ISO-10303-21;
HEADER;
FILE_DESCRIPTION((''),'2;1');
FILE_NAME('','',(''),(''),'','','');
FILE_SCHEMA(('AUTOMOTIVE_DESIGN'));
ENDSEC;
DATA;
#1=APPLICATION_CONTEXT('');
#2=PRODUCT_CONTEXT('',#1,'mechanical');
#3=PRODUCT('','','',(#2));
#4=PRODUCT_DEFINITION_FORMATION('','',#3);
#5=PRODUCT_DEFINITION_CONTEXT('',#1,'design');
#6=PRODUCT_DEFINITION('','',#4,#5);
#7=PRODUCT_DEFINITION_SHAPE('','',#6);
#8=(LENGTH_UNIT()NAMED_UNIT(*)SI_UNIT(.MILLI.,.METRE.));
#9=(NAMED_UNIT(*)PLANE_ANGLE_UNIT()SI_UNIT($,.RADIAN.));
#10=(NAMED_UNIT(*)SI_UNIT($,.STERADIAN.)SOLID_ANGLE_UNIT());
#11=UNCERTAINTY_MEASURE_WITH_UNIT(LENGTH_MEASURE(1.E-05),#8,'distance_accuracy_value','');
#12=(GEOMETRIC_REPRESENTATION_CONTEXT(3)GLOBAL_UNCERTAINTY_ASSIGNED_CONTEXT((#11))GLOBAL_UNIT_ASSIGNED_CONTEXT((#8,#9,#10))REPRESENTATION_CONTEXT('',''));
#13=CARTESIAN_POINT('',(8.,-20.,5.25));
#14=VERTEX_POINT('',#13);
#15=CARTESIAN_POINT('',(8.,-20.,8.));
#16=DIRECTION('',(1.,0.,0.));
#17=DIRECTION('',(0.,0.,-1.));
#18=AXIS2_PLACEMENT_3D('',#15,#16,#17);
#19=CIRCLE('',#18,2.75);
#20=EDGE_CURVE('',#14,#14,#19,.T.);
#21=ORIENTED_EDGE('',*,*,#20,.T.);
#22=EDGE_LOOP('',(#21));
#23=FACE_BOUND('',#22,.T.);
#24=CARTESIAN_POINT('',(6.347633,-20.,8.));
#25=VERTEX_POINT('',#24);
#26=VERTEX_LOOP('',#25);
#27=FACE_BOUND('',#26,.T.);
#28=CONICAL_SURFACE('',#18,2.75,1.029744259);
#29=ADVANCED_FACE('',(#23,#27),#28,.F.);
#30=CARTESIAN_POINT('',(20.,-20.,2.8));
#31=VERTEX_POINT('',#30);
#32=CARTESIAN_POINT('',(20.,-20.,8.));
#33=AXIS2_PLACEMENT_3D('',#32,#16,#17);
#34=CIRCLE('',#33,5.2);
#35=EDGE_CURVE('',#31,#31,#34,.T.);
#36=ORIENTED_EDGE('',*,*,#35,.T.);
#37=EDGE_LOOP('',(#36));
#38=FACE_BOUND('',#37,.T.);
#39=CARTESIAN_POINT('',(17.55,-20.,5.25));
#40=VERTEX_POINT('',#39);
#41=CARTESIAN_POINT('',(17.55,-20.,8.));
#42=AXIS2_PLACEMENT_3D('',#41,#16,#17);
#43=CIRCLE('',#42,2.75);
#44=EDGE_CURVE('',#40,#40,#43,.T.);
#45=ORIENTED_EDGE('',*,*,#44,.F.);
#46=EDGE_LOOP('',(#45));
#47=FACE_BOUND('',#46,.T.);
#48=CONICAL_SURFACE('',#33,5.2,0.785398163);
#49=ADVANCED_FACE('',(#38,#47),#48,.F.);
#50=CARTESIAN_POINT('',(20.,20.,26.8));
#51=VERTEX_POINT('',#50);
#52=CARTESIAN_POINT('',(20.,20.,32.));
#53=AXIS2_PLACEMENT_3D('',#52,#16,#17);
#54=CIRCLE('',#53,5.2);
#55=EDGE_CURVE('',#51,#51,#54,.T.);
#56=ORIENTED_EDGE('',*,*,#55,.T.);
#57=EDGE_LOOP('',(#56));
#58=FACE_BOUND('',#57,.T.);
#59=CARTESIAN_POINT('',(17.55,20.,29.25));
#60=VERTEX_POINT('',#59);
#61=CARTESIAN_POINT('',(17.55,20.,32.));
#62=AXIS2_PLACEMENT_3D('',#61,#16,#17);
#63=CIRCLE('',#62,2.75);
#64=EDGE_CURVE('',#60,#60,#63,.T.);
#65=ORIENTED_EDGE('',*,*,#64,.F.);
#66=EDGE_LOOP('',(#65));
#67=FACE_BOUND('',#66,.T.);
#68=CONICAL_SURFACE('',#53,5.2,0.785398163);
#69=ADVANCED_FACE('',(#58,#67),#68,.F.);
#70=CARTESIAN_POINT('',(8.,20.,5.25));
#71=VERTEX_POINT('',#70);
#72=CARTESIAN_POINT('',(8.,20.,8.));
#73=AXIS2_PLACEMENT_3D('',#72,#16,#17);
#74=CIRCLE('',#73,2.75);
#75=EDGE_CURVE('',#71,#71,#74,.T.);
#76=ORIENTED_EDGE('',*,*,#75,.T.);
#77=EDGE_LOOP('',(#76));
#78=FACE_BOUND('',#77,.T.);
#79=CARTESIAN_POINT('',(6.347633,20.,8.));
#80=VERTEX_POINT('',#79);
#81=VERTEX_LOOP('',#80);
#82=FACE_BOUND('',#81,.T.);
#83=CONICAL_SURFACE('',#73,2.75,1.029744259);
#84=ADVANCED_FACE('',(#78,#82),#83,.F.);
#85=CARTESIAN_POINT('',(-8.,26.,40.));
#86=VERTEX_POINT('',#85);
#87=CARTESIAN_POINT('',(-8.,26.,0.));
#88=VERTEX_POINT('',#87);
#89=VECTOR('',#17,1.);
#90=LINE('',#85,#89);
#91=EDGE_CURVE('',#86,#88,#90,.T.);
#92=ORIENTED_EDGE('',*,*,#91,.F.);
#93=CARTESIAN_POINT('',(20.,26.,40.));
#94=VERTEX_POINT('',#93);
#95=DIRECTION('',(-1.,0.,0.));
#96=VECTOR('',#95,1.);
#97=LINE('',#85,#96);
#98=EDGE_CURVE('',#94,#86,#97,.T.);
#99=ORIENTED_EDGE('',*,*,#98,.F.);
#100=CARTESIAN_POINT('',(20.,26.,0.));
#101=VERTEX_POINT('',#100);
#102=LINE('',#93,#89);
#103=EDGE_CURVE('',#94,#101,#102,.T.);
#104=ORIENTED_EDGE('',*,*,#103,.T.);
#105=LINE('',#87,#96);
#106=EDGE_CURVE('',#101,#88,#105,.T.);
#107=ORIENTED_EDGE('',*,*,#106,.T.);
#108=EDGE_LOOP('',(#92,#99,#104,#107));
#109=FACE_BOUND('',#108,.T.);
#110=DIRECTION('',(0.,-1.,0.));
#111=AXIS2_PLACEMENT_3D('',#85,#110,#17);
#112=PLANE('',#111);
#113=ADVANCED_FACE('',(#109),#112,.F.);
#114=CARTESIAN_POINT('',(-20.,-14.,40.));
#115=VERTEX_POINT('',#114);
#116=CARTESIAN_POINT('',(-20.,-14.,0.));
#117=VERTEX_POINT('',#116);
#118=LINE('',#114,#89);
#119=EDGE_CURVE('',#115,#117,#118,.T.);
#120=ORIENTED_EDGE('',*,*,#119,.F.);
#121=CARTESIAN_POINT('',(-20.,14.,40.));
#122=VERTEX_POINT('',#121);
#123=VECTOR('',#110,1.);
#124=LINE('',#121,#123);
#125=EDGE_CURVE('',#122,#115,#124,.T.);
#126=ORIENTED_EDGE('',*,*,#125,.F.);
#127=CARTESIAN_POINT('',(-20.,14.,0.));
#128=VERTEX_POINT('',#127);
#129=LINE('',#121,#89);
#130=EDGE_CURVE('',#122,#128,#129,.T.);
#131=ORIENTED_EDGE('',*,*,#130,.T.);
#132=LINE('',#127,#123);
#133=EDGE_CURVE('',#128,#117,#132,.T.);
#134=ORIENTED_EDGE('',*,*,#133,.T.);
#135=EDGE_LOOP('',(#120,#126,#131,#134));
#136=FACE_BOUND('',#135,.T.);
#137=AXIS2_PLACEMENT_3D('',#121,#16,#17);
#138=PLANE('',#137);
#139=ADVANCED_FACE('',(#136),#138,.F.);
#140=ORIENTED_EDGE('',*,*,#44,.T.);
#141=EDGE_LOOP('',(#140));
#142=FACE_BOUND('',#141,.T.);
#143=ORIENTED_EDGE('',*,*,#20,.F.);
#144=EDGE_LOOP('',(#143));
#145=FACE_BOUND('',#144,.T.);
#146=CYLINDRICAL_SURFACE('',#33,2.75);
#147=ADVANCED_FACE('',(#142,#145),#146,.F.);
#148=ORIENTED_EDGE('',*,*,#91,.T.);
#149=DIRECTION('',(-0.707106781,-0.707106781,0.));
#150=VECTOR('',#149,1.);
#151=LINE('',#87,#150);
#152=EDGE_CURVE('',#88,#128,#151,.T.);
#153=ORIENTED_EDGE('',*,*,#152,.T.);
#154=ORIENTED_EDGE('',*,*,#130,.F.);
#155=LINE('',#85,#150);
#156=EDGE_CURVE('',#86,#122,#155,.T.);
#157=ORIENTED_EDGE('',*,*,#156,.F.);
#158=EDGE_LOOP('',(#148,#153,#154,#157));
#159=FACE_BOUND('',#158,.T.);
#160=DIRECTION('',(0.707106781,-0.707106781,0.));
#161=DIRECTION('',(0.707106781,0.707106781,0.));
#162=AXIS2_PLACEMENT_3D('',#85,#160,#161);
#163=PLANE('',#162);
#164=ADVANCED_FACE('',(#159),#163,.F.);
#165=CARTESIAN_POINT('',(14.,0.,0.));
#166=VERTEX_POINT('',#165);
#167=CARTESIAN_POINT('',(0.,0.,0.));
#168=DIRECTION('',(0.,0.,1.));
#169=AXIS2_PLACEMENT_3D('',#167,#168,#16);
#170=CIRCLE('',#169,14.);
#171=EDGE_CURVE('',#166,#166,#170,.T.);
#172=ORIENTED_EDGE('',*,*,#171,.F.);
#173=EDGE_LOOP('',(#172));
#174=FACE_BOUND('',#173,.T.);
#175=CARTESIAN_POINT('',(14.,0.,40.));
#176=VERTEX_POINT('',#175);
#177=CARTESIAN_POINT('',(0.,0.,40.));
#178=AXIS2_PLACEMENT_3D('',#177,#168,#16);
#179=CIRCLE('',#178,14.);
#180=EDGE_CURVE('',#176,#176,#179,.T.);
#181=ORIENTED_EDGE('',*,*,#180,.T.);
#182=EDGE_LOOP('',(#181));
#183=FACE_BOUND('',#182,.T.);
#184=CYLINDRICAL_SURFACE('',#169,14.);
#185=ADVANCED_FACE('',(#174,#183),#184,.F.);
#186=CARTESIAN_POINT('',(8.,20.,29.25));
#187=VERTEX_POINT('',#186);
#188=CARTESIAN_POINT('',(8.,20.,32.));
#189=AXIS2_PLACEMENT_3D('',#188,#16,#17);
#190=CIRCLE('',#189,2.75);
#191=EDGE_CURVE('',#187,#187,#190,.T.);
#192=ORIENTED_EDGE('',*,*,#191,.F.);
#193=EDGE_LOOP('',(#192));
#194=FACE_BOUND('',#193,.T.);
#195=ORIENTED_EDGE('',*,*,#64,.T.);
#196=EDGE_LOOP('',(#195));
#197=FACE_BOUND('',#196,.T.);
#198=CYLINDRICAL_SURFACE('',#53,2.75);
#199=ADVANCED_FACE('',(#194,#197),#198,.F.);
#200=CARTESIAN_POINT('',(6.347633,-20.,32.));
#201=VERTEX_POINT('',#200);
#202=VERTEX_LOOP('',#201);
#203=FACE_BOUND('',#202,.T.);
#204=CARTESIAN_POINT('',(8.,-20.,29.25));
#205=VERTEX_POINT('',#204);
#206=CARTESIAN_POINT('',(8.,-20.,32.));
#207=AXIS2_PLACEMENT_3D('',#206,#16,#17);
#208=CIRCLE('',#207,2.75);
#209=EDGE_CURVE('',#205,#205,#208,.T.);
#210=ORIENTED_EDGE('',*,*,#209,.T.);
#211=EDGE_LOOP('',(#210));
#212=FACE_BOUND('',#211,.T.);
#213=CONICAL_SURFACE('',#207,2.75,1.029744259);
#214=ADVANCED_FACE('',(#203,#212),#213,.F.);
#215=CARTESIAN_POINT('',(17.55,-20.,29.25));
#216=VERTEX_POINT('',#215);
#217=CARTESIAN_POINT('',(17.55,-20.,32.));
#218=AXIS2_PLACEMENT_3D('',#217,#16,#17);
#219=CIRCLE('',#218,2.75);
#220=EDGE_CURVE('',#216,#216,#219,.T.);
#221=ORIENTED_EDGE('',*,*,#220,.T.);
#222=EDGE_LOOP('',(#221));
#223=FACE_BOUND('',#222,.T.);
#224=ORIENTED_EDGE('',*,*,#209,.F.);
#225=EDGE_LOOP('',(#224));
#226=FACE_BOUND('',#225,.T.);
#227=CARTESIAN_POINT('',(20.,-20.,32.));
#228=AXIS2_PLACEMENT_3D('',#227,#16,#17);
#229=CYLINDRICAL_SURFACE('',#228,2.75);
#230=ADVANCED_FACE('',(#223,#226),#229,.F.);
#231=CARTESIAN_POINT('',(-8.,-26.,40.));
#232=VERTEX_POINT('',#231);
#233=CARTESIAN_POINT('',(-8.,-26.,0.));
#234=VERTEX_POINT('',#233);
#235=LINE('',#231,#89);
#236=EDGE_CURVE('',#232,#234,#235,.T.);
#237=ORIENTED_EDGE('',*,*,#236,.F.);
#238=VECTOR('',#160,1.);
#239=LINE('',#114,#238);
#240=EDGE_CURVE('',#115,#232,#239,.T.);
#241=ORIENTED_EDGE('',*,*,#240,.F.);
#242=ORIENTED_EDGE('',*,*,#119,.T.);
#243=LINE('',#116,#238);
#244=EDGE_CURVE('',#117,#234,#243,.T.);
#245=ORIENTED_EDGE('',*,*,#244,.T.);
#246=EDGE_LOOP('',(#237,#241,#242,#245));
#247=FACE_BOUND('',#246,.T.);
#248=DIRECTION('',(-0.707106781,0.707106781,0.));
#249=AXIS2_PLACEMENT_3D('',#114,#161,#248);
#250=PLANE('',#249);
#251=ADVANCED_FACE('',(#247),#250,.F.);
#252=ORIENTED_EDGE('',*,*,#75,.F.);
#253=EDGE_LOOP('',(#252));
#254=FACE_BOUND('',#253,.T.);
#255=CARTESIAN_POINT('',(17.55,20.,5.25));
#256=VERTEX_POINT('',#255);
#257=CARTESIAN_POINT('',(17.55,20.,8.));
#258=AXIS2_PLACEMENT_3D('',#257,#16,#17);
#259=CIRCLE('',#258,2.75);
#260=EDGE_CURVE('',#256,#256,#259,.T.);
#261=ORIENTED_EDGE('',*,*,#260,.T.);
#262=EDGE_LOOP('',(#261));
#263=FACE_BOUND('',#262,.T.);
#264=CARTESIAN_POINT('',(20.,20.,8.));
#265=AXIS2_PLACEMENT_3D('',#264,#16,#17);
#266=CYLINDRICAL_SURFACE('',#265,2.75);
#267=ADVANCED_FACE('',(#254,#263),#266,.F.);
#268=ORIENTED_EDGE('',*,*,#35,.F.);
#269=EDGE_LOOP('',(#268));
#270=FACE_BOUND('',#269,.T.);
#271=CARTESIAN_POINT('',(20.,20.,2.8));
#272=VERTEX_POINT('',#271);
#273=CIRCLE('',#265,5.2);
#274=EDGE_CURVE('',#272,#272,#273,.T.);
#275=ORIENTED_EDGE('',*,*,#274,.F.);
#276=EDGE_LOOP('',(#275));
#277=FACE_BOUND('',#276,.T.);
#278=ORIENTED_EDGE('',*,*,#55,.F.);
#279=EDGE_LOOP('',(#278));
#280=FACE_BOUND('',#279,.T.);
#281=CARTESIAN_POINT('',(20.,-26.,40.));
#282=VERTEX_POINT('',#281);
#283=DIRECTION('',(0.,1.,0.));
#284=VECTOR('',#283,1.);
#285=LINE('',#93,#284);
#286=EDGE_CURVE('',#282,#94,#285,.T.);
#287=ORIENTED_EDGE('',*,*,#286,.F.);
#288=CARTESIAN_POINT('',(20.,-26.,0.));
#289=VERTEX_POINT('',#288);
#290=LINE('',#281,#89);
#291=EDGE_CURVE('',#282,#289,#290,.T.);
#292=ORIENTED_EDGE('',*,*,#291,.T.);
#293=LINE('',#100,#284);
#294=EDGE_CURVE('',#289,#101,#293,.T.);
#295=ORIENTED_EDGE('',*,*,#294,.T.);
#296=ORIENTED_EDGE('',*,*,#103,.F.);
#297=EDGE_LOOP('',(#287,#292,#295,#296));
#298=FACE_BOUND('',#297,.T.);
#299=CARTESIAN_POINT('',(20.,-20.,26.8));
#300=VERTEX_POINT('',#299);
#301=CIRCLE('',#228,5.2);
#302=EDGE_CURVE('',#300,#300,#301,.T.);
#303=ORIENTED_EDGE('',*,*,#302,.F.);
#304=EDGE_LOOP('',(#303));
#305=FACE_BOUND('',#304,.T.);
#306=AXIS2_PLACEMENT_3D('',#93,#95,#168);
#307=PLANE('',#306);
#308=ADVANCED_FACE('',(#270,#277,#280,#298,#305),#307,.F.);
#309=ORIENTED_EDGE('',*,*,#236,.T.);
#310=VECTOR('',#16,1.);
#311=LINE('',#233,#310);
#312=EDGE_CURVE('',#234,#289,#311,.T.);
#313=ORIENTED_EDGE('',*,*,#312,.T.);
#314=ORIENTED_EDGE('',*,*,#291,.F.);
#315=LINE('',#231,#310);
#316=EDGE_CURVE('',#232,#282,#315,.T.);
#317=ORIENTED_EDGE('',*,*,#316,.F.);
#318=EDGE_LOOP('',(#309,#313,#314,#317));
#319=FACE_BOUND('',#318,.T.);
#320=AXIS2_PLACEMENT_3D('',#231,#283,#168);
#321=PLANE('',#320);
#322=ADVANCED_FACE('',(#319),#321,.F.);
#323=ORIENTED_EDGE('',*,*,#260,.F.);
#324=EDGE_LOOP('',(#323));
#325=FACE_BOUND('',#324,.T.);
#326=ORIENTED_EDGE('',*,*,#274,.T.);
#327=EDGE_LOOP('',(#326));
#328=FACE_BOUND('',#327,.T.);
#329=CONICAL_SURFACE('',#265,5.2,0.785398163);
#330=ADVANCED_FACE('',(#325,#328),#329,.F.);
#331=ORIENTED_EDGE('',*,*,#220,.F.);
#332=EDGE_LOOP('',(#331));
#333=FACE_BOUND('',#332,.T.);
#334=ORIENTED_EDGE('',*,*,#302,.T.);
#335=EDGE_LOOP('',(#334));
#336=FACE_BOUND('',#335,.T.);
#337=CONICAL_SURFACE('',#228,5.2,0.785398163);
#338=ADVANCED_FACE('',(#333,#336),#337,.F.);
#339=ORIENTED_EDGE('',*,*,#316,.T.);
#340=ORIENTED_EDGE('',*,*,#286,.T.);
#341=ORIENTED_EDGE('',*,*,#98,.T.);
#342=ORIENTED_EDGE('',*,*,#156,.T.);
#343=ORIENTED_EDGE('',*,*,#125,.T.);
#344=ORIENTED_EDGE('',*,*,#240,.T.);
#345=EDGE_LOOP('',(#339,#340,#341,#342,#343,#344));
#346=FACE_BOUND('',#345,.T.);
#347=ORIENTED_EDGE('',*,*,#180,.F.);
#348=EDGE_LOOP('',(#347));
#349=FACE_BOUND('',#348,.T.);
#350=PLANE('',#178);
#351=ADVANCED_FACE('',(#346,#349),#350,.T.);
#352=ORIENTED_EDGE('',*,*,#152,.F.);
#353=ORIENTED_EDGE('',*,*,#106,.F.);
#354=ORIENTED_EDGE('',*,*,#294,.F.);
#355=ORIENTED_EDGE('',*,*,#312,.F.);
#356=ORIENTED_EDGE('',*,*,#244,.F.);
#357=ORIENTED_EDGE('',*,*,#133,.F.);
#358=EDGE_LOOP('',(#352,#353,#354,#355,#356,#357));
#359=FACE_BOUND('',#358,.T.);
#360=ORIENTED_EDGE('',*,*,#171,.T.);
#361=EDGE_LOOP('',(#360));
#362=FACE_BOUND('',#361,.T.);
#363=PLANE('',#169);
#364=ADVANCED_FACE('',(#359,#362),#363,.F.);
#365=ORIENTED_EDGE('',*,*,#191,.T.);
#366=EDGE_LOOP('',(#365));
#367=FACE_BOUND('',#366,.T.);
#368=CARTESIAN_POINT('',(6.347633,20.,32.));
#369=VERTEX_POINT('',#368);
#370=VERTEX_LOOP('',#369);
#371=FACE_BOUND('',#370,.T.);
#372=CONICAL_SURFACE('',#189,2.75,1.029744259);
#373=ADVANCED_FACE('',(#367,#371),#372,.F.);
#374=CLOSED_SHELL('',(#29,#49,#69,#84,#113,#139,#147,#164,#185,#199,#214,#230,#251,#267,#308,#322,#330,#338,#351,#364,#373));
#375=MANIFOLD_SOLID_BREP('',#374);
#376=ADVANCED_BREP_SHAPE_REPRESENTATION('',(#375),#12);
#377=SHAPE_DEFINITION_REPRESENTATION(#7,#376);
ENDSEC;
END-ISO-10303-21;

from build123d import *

# Parameters (mm, degrees)
BOSS_EXTRUDE1_DEPTH                                  = 40
SKETCH2_R                                            = 14
CUT_EXTRUDE1_DEPTH                                   = 40
CSK_FOR_M5_COUNTERSUNK_RAISED_HEAD_SCREW_D           = 5.5
CSK_FOR_M5_COUNTERSUNK_RAISED_HEAD_SCREW_DEPTH       = 12
CSK_FOR_M5_COUNTERSUNK_RAISED_HEAD_SCREW_CSINK_D     = 10.4
CSK_FOR_M5_COUNTERSUNK_RAISED_HEAD_SCREW_CSINK_ANGLE = 90
CSK_FOR_M5_COUNTERSUNK_RAISED_HEAD_SCREW_TIP         = 1.652366702


with BuildPart() as part:
    # Sketch1 → Boss-Extrude1 (new body)
    with BuildSketch(Plane.XY):
        Polygon((-20, -14), (-8, -26), (20, -26), (20, 26), (-8, 26), (-20, 14), align=None)
    extrude(amount=BOSS_EXTRUDE1_DEPTH)

    # Sketch2 → Cut-Extrude1 (cut)
    with BuildSketch(Plane.XY.offset(40)):
        Circle(SKETCH2_R)
    extrude(amount=-CUT_EXTRUDE1_DEPTH, mode=Mode.SUBTRACT)

    # CSK for M5 Countersunk Raised Head Screw1
    with Locations(Plane(origin=(20, 0, 0), x_dir=(0, 0, -1), z_dir=(1, 0, 0))):
        with Locations((-32, 20), (-8, 20), (-8, -20), (-32, -20)):
            CounterSinkHole(CSK_FOR_M5_COUNTERSUNK_RAISED_HEAD_SCREW_D / 2, CSK_FOR_M5_COUNTERSUNK_RAISED_HEAD_SCREW_CSINK_D / 2, depth=CSK_FOR_M5_COUNTERSUNK_RAISED_HEAD_SCREW_DEPTH, counter_sink_angle=CSK_FOR_M5_COUNTERSUNK_RAISED_HEAD_SCREW_CSINK_ANGLE)
            with Locations((0, 0, -(CSK_FOR_M5_COUNTERSUNK_RAISED_HEAD_SCREW_DEPTH + CSK_FOR_M5_COUNTERSUNK_RAISED_HEAD_SCREW_TIP / 2))):  # 118° drill point
                Cone(0, CSK_FOR_M5_COUNTERSUNK_RAISED_HEAD_SCREW_D / 2, CSK_FOR_M5_COUNTERSUNK_RAISED_HEAD_SCREW_TIP, mode=Mode.SUBTRACT)


solid = part.part
